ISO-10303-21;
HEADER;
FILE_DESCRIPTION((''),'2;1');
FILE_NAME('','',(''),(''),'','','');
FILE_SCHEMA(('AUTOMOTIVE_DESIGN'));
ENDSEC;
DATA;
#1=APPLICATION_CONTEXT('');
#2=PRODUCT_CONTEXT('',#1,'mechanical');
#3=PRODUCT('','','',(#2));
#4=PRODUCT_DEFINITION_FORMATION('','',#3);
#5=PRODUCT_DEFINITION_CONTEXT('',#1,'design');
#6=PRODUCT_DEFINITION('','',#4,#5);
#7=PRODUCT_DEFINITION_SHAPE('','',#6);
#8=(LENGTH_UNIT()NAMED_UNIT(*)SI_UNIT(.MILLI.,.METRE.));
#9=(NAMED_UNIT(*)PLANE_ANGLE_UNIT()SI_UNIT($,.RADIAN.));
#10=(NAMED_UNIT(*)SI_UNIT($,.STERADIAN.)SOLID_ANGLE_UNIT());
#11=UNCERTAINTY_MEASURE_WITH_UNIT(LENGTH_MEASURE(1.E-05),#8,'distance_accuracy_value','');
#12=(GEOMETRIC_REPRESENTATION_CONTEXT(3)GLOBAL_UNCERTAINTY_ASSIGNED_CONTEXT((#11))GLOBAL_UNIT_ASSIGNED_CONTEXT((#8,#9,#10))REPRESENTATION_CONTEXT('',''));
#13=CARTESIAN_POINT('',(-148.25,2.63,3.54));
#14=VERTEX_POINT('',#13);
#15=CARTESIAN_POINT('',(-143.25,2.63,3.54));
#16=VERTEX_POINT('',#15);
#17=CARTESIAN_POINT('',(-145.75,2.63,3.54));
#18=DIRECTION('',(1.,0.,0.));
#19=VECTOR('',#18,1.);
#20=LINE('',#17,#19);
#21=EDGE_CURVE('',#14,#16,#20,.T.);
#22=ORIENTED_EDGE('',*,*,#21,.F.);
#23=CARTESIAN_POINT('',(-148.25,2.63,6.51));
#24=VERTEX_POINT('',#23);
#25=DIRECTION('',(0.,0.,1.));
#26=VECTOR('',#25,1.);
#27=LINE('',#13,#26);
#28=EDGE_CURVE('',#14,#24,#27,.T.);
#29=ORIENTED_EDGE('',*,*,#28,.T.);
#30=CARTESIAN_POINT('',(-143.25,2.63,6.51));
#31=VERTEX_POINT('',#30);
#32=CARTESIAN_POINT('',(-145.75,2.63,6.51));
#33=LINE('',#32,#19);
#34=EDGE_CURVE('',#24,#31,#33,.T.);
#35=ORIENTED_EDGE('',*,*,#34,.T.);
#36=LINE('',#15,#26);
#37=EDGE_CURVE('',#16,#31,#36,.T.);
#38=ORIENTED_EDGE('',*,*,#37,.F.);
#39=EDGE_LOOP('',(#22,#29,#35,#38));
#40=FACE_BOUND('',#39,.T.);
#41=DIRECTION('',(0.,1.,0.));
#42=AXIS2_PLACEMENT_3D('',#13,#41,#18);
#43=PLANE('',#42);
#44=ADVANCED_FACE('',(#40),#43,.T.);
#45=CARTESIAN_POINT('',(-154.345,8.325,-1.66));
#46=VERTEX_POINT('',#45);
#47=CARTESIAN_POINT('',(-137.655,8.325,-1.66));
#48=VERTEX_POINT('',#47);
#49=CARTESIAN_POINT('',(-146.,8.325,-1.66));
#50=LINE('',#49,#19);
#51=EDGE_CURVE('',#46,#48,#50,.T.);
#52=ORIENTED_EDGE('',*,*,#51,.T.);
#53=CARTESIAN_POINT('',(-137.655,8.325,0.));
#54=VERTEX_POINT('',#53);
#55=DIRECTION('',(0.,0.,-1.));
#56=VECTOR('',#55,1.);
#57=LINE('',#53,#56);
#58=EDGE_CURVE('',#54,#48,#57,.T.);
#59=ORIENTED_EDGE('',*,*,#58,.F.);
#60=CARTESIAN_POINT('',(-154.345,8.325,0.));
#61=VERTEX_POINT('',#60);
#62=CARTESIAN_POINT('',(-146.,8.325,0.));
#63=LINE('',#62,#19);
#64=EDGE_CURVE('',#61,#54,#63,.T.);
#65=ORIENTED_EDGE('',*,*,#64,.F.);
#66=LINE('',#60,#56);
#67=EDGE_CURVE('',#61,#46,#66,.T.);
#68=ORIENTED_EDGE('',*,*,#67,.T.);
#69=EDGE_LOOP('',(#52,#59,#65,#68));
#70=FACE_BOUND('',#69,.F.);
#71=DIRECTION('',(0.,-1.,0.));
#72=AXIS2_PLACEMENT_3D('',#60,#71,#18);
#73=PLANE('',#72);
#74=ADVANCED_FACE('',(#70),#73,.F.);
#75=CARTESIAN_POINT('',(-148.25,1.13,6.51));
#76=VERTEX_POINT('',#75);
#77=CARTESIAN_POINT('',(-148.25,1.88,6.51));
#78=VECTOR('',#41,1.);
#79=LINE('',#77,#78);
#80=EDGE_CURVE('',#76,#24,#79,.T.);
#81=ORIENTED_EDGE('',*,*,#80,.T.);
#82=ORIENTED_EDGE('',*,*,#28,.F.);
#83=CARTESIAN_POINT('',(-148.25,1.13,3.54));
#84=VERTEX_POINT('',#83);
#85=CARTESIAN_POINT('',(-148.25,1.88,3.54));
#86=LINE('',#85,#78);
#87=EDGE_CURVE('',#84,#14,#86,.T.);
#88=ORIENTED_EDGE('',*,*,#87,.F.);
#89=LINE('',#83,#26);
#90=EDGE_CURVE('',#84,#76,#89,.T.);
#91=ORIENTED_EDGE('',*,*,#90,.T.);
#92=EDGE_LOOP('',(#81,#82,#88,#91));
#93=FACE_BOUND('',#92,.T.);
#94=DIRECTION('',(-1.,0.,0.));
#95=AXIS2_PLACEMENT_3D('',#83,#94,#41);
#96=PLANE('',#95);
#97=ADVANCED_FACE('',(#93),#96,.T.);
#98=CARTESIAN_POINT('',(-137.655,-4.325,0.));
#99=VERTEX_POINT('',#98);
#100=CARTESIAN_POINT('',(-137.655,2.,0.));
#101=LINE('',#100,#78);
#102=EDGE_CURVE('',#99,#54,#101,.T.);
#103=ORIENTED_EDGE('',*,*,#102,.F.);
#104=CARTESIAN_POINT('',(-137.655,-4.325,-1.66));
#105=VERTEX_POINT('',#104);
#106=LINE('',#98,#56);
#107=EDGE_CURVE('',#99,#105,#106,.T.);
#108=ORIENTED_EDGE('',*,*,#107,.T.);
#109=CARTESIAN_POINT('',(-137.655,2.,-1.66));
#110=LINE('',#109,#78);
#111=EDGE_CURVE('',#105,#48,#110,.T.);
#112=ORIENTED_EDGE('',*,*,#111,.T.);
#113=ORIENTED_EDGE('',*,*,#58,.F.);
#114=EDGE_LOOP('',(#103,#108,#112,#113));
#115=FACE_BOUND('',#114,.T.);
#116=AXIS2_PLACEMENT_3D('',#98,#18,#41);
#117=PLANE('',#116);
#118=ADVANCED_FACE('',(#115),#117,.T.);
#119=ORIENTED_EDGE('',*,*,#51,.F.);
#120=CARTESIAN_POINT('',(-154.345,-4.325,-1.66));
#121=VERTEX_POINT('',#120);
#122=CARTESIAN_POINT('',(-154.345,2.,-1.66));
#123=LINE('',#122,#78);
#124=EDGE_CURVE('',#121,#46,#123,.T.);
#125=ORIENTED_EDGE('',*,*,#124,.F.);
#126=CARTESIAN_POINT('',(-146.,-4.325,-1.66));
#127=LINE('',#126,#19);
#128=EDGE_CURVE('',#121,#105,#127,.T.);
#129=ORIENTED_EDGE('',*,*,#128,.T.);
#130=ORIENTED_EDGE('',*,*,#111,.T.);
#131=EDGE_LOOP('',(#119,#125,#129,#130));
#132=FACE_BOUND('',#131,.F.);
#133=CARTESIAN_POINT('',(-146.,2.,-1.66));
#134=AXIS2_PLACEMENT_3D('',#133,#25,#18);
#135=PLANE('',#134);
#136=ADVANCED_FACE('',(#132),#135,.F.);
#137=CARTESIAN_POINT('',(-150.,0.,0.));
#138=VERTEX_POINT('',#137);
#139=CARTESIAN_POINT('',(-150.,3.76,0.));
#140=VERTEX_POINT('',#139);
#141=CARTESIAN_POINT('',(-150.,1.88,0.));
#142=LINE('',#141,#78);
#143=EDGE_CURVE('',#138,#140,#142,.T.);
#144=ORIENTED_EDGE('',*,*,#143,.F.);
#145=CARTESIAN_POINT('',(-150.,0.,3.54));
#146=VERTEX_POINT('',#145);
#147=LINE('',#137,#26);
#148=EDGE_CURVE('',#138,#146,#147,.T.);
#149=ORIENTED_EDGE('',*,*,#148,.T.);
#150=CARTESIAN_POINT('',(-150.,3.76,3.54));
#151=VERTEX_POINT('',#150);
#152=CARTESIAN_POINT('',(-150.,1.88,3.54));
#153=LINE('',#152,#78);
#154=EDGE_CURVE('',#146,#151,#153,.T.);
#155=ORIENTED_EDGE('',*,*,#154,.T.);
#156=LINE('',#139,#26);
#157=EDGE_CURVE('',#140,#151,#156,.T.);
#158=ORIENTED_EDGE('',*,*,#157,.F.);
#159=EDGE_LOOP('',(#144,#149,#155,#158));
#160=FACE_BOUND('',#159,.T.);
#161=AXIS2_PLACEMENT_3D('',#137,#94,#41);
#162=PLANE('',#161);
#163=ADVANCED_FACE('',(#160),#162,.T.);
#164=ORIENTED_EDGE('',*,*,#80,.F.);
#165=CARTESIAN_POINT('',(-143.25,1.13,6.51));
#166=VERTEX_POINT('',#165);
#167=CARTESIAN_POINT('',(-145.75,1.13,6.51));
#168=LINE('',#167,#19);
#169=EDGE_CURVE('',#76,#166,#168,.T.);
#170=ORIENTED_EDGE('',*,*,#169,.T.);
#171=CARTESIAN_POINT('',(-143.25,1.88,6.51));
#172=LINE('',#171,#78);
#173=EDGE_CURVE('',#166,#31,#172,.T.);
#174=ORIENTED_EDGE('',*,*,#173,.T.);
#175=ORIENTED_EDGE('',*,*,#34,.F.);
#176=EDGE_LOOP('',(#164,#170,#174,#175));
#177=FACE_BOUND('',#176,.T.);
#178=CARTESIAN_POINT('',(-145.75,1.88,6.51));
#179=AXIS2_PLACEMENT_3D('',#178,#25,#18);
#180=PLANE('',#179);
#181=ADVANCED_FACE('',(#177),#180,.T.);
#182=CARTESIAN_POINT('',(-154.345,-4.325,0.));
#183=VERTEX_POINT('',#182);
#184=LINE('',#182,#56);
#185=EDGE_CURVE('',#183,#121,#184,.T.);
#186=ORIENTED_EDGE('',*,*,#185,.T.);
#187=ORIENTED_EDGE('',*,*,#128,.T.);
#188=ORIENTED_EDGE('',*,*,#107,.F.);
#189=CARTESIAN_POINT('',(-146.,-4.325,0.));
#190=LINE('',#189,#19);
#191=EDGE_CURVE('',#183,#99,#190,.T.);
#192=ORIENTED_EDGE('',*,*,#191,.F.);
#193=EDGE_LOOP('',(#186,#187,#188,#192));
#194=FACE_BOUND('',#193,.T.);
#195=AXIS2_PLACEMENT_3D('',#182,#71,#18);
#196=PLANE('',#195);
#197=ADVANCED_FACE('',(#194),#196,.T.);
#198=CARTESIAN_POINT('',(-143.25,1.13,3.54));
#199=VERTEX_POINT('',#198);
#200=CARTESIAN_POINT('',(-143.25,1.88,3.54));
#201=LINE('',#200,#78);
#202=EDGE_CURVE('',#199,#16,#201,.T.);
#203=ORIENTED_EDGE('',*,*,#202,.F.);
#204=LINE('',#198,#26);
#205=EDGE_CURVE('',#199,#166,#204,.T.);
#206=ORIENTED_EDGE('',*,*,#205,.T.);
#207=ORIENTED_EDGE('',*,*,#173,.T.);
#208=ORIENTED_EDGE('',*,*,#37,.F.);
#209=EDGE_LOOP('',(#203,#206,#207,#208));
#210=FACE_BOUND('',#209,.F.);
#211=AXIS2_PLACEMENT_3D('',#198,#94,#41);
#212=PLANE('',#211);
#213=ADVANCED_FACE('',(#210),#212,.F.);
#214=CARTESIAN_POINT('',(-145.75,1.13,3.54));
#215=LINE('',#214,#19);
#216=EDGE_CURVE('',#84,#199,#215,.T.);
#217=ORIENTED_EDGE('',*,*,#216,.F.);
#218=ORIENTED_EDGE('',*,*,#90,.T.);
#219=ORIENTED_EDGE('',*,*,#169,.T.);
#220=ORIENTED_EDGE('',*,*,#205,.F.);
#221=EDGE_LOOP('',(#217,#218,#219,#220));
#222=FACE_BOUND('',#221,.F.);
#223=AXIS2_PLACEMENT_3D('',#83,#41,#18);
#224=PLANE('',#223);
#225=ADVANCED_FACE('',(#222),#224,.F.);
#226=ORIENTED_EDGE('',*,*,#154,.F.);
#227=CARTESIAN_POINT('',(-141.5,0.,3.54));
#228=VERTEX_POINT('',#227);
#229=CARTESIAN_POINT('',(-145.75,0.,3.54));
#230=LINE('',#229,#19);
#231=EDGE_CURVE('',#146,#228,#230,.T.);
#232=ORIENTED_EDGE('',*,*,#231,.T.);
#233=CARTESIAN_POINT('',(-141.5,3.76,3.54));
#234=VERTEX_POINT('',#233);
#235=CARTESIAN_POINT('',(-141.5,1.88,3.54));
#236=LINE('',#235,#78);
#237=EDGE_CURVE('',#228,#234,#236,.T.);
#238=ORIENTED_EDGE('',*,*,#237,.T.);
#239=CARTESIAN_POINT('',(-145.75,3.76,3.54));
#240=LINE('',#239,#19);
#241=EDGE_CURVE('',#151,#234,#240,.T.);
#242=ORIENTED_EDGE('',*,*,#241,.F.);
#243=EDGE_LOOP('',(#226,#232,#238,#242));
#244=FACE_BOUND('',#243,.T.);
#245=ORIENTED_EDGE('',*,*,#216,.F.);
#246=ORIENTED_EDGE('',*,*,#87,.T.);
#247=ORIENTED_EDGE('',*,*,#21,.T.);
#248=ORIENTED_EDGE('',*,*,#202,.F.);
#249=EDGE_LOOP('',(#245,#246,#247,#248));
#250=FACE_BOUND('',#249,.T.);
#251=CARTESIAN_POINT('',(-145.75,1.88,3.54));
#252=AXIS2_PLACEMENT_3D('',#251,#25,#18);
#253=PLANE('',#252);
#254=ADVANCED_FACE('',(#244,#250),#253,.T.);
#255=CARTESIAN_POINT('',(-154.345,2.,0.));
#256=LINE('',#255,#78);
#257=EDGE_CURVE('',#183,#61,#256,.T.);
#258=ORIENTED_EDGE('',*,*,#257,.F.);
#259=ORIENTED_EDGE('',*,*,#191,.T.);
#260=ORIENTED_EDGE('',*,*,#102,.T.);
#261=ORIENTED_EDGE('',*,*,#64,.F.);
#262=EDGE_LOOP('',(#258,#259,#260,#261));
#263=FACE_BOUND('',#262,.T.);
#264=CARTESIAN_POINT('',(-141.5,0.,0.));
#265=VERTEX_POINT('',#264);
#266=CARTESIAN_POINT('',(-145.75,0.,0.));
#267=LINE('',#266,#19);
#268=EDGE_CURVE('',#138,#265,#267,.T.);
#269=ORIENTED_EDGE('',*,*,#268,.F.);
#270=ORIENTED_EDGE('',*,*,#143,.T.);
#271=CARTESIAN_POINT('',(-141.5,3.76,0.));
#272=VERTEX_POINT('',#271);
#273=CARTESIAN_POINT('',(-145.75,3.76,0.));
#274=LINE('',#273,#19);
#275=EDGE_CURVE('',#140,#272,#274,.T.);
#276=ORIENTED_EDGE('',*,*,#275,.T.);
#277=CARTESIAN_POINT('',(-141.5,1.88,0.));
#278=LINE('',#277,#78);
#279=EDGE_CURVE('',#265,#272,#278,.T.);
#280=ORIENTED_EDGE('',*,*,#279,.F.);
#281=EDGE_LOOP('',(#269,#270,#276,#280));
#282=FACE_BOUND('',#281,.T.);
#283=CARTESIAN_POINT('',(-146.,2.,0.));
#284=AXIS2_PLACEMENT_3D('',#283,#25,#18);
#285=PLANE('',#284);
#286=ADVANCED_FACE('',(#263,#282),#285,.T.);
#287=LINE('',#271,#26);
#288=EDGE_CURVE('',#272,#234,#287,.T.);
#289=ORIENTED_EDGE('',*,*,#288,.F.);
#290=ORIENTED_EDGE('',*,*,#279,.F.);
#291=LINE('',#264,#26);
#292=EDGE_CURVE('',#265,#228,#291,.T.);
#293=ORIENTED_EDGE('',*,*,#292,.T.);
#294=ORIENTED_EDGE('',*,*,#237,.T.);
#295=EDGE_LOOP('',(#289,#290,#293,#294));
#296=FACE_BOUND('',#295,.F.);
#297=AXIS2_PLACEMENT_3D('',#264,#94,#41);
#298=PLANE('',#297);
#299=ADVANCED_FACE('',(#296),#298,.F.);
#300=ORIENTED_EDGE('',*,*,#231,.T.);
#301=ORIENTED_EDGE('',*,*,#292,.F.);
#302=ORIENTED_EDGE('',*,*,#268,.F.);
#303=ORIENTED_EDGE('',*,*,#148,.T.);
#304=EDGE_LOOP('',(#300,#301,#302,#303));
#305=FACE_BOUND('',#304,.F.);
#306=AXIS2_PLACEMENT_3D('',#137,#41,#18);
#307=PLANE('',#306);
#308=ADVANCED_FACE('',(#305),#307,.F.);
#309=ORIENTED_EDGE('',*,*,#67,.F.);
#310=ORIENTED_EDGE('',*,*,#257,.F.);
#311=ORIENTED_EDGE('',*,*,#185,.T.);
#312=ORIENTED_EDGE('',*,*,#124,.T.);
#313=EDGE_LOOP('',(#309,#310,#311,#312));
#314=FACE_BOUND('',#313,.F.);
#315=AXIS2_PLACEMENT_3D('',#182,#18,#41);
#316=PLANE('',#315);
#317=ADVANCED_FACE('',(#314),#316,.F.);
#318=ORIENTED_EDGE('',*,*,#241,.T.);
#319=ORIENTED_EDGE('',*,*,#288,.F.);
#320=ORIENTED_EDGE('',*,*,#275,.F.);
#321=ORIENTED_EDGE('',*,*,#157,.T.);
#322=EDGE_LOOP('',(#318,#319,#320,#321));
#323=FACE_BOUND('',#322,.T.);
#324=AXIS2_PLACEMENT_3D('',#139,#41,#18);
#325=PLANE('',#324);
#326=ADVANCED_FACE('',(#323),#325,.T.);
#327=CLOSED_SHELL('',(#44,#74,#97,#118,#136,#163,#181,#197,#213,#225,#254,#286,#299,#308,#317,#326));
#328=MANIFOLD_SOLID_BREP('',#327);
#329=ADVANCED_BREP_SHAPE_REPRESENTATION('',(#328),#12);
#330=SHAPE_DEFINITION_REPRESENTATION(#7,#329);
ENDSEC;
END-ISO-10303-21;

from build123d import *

# Parameters (mm, degrees)
SKETCH013_W      = 8.5
SKETCH013_H      = 3.76
EXTRUDE013_DEPTH = 3.54
SKETCH014_W      = 5
SKETCH014_H      = 1.5
EXTRUDE014_DEPTH = 2.97
SKETCH012_W      = 16.69
SKETCH012_H      = 12.65
EXTRUDE012_DEPTH = 1.66


with BuildPart() as extrude_switch_house:
    # Sketch013 → Extrude013 (new body)
    with BuildSketch(Plane.XY):
        with Locations((4.25, 1.88)):
            Rectangle(SKETCH013_W, SKETCH013_H)
    extrude(amount=EXTRUDE013_DEPTH)


with BuildPart() as extrude_switch:
    # Sketch014 → Extrude014 (new body)
    with BuildSketch(Plane.XY):
        with Locations((4.25, 1.88)):
            Rectangle(SKETCH014_W, SKETCH014_H)
    extrude(amount=EXTRUDE014_DEPTH)


with BuildPart() as extrude_switch_1:
    # Extrude014 placement: moved
    add(extrude_switch.part.moved(Location((0, 0, 3.54))))


with BuildPart() as fusion_switch:
    # Sketch012 → Extrude012 (new body)
    with BuildSketch(Plane(origin=(4, 2, 0), x_dir=(1, 0, 0), z_dir=(0, 0, 1))):
        Rectangle(SKETCH012_W, SKETCH012_H)
    extrude(amount=-EXTRUDE012_DEPTH)

    # Fusion004: union Extrude_Switch_house, Extrude_Switch_
    add(extrude_switch_house.part)
    add(extrude_switch_1.part)


with BuildPart() as fusion_switch_1:
    # Fusion004 placement: moved
    add(fusion_switch.part.moved(Location((-150, 0, 0))))


solid = fusion_switch_1.part
